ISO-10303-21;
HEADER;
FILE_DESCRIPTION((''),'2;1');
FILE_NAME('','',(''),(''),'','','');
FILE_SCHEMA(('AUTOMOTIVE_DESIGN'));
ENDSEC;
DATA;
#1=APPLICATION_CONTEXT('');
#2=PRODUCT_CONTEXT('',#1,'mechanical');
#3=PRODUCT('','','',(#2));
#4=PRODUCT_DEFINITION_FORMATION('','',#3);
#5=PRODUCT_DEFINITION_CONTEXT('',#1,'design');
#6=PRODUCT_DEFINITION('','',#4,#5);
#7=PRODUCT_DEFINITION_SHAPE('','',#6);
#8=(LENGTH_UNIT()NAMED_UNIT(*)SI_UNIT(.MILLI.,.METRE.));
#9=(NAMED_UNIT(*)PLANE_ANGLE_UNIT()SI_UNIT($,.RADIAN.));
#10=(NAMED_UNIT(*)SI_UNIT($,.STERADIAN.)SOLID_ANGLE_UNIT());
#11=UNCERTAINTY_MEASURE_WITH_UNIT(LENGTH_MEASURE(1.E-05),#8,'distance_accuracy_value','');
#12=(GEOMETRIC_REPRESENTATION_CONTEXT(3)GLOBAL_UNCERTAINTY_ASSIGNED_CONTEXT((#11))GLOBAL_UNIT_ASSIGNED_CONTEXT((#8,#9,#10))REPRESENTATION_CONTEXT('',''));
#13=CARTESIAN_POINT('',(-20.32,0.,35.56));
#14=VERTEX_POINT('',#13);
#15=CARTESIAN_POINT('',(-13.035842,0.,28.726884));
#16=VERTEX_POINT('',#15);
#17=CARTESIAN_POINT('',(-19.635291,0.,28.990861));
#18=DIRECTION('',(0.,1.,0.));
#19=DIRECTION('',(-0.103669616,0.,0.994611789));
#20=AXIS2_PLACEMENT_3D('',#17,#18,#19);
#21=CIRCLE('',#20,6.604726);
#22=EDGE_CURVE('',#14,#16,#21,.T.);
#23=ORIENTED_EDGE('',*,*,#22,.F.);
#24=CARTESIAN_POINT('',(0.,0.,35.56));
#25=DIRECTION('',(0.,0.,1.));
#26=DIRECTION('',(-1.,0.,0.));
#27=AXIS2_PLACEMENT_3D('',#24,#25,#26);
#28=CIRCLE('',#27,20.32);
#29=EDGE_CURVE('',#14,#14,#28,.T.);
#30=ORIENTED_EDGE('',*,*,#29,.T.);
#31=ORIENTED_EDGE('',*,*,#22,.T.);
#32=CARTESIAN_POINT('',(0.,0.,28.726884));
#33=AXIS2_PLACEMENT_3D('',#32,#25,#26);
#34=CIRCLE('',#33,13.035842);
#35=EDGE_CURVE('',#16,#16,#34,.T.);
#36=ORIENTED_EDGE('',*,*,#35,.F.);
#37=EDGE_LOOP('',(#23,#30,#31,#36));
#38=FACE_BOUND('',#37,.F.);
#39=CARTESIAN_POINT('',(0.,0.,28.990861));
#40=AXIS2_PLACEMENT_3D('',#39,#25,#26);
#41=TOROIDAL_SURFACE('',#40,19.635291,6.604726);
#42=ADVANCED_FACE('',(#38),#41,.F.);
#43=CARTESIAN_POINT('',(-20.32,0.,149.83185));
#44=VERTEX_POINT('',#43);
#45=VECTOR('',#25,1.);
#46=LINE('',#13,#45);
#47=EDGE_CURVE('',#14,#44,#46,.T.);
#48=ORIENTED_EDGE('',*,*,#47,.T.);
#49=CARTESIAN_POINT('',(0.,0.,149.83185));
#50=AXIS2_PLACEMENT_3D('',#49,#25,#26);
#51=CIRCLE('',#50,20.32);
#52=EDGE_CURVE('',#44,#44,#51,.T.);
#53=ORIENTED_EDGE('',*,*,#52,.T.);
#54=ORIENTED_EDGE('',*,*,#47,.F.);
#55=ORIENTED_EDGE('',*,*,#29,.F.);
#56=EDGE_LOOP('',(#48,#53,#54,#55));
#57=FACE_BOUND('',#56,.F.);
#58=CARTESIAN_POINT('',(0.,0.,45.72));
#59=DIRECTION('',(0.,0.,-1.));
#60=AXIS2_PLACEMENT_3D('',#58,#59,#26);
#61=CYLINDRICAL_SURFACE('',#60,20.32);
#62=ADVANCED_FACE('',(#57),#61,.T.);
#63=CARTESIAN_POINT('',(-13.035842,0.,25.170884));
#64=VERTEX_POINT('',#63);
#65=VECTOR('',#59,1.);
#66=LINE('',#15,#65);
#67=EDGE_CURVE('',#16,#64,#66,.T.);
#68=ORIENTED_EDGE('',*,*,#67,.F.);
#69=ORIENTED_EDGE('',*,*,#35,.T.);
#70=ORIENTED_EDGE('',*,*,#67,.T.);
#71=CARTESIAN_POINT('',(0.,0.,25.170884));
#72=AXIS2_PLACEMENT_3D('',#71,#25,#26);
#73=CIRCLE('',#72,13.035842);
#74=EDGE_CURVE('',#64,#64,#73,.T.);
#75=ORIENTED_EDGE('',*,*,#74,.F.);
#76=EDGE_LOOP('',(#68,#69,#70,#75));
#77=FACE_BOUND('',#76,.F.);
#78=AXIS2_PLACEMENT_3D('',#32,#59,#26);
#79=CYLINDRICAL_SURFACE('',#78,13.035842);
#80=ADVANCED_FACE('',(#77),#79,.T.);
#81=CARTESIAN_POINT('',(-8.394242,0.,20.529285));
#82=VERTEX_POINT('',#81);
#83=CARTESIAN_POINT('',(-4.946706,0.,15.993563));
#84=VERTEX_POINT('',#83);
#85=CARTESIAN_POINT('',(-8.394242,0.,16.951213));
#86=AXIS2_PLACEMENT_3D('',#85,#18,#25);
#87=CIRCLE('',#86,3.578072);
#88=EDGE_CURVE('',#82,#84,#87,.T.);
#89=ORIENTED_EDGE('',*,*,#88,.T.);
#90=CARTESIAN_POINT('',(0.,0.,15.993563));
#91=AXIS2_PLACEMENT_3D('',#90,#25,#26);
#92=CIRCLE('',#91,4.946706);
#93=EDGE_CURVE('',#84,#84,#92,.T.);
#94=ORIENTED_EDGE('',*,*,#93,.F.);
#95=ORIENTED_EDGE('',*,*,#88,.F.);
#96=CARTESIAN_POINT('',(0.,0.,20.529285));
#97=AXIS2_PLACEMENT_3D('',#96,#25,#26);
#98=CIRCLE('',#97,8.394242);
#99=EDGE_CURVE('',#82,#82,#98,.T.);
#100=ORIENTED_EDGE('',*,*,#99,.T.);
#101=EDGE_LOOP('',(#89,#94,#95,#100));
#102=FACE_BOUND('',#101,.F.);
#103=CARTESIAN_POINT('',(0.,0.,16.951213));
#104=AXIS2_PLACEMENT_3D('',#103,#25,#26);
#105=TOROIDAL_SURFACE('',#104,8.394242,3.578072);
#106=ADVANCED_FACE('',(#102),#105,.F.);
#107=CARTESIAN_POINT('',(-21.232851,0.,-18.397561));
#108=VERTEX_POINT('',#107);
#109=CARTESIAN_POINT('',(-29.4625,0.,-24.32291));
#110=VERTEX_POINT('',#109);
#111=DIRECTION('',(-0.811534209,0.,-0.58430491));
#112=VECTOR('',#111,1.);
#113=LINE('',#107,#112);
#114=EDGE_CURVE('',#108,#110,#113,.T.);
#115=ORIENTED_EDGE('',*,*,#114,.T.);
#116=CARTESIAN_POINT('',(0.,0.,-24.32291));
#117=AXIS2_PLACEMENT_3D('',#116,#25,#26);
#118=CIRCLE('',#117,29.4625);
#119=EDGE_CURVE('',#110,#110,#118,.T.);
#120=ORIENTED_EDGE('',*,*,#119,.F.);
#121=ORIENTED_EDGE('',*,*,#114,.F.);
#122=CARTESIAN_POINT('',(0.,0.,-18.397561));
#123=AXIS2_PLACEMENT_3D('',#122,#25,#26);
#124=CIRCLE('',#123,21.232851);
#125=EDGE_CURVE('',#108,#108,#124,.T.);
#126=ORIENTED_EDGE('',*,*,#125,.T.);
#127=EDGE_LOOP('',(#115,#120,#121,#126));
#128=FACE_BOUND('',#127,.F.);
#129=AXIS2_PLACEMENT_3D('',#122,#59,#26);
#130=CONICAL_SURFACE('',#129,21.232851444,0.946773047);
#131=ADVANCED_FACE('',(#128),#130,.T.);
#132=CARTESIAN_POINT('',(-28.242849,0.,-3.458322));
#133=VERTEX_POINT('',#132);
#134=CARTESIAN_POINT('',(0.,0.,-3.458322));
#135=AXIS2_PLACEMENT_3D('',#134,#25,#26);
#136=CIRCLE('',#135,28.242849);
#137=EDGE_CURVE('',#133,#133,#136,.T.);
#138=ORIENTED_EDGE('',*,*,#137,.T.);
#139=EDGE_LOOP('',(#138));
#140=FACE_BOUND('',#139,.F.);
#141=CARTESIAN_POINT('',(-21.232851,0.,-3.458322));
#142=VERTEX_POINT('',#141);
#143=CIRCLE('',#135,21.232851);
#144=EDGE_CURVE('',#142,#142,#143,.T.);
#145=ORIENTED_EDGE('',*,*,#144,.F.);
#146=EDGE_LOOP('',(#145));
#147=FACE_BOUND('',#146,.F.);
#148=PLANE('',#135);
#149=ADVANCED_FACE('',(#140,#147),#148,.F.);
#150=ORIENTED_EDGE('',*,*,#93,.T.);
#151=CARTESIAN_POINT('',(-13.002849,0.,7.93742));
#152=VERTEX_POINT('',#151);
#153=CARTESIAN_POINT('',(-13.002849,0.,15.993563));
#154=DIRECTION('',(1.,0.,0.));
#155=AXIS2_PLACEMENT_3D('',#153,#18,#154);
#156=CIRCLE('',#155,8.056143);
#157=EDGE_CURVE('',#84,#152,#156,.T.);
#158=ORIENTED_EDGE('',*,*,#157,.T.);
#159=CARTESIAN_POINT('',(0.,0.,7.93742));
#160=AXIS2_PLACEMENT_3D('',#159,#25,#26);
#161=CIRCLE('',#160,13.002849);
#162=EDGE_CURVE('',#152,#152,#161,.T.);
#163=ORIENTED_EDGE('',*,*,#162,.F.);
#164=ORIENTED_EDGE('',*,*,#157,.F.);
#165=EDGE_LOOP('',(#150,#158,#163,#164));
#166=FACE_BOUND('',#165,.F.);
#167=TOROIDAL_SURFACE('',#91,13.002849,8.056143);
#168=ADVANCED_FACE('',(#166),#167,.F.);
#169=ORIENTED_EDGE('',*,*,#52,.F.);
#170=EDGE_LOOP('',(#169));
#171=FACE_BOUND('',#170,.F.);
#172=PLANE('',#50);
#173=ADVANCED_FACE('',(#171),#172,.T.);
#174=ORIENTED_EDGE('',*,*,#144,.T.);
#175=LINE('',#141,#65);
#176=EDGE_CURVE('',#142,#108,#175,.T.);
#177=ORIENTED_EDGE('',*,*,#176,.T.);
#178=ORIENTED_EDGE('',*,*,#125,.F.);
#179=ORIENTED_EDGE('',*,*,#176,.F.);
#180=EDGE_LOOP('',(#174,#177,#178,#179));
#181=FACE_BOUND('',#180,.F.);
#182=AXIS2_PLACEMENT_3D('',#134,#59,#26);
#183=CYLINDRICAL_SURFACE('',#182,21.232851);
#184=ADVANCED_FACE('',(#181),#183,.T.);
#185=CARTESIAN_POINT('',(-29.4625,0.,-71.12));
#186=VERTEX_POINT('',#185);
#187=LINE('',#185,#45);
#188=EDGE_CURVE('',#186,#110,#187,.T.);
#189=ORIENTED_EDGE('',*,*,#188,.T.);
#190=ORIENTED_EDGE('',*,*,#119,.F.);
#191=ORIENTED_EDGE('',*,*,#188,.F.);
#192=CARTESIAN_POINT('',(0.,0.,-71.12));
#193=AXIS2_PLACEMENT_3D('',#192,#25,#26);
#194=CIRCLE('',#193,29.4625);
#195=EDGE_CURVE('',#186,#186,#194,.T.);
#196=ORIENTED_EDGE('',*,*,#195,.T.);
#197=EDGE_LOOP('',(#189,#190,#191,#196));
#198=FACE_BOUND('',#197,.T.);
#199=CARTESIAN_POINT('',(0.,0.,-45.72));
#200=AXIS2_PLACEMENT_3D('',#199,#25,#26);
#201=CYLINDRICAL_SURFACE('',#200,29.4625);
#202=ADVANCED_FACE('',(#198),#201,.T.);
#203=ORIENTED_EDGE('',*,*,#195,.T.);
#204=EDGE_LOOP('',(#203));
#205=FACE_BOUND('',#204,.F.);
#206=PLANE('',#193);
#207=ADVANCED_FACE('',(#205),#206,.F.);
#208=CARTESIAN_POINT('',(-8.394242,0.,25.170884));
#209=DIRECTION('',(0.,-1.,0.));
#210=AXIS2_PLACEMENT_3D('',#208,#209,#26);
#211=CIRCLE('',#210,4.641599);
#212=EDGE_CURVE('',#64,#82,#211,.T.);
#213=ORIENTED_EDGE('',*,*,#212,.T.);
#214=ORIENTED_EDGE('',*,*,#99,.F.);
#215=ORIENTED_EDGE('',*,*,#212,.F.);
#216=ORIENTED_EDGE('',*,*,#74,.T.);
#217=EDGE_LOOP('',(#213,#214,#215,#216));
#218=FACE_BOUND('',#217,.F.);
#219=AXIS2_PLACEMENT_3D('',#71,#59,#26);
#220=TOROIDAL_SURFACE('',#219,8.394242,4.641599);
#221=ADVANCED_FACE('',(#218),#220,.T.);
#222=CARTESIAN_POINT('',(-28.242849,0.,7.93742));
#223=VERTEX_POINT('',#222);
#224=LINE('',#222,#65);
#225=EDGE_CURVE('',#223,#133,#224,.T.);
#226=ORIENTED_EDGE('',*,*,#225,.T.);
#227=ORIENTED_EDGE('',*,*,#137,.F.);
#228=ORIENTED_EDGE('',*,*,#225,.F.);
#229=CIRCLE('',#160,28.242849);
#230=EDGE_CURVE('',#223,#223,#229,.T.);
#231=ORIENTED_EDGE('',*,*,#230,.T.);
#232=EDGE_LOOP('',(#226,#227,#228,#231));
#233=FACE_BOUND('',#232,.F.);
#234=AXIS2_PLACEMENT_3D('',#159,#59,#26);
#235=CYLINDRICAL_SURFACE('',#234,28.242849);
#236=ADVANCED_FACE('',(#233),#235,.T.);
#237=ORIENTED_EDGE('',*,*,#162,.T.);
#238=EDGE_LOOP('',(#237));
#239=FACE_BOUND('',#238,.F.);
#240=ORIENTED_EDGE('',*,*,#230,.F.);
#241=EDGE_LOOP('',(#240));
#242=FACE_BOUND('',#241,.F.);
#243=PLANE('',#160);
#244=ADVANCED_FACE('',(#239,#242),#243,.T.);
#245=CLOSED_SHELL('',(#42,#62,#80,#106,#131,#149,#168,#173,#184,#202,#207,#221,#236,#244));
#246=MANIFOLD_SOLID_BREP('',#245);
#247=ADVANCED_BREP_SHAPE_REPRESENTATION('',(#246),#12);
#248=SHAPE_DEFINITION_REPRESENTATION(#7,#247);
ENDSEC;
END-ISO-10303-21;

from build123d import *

# Parameters (mm, degrees)
F2_DEPTH = 104.11185
F3_DEPTH = 25.4


with BuildPart() as f1:
    # F0 (on Front) → F1 (revolve)
    with BuildSketch(Plane.XZ):
        with BuildLine():
            Line((0, -45.72), (0, 0))
            Line((0, 0), (0, 45.72))
            Line((0, 45.72), (-20.32, 45.72))
            Line((-20.32, 45.72), (-20.32, 35.56))
            ThreePointArc((-20.32, 35.56), (-15.1165623924, 33.8078630493), (-13.0358416779, 28.7268839961))
            Line((-13.0358416779, 28.7268839961), (-13.0358416779, 25.1708839961))
            ThreePointArc((-13.0358416779, 25.1708839961), (-11.6763486852, 21.8887775753), (-8.3942422643, 20.5292845826))
            ThreePointArc((-8.3942422643, 20.5292845826), (-5.5456340699, 19.1163985733), (-4.9467060106, 15.9935632109))
            ThreePointArc((-4.9467060106, 15.9935632109), (-7.3062957159, 10.2970097428), (-13.002849184, 7.9374200376))
            Line((-13.002849184, 7.9374200376), (-28.242849184, 7.9374200376))
            Line((-28.242849184, 7.9374200376), (-28.242849184, -3.4583220258))
            Line((-28.242849184, -3.4583220258), (-21.2328514445, -3.4583220258))
            Line((-21.2328514445, -3.4583220258), (-21.2328514445, -18.3975605232))
            Line((-21.2328514445, -18.3975605232), (-29.4625001389, -24.3229104143))
            Line((-29.4625001389, -24.3229104143), (-29.4625001389, -45.72))
            Line((-29.4625001389, -45.72), (0, -45.72))
        make_face()
    revolve(axis=Axis((0, 0, 22.86), (0, 0, 1)))

    # F2 (add): a face of the model
    f2_faces = [f1.faces().sort_by_distance(p)[0] for p in [
        (0, 0, 45.72),
    ]]
    extrude(f2_faces, amount=F2_DEPTH)

    # F3 (add): a face of the model
    f3_faces = [f1.faces().sort_by_distance(p)[0] for p in [
        (0, 0, -45.72),
    ]]
    extrude(f3_faces, amount=F3_DEPTH)


solid = f1.part
